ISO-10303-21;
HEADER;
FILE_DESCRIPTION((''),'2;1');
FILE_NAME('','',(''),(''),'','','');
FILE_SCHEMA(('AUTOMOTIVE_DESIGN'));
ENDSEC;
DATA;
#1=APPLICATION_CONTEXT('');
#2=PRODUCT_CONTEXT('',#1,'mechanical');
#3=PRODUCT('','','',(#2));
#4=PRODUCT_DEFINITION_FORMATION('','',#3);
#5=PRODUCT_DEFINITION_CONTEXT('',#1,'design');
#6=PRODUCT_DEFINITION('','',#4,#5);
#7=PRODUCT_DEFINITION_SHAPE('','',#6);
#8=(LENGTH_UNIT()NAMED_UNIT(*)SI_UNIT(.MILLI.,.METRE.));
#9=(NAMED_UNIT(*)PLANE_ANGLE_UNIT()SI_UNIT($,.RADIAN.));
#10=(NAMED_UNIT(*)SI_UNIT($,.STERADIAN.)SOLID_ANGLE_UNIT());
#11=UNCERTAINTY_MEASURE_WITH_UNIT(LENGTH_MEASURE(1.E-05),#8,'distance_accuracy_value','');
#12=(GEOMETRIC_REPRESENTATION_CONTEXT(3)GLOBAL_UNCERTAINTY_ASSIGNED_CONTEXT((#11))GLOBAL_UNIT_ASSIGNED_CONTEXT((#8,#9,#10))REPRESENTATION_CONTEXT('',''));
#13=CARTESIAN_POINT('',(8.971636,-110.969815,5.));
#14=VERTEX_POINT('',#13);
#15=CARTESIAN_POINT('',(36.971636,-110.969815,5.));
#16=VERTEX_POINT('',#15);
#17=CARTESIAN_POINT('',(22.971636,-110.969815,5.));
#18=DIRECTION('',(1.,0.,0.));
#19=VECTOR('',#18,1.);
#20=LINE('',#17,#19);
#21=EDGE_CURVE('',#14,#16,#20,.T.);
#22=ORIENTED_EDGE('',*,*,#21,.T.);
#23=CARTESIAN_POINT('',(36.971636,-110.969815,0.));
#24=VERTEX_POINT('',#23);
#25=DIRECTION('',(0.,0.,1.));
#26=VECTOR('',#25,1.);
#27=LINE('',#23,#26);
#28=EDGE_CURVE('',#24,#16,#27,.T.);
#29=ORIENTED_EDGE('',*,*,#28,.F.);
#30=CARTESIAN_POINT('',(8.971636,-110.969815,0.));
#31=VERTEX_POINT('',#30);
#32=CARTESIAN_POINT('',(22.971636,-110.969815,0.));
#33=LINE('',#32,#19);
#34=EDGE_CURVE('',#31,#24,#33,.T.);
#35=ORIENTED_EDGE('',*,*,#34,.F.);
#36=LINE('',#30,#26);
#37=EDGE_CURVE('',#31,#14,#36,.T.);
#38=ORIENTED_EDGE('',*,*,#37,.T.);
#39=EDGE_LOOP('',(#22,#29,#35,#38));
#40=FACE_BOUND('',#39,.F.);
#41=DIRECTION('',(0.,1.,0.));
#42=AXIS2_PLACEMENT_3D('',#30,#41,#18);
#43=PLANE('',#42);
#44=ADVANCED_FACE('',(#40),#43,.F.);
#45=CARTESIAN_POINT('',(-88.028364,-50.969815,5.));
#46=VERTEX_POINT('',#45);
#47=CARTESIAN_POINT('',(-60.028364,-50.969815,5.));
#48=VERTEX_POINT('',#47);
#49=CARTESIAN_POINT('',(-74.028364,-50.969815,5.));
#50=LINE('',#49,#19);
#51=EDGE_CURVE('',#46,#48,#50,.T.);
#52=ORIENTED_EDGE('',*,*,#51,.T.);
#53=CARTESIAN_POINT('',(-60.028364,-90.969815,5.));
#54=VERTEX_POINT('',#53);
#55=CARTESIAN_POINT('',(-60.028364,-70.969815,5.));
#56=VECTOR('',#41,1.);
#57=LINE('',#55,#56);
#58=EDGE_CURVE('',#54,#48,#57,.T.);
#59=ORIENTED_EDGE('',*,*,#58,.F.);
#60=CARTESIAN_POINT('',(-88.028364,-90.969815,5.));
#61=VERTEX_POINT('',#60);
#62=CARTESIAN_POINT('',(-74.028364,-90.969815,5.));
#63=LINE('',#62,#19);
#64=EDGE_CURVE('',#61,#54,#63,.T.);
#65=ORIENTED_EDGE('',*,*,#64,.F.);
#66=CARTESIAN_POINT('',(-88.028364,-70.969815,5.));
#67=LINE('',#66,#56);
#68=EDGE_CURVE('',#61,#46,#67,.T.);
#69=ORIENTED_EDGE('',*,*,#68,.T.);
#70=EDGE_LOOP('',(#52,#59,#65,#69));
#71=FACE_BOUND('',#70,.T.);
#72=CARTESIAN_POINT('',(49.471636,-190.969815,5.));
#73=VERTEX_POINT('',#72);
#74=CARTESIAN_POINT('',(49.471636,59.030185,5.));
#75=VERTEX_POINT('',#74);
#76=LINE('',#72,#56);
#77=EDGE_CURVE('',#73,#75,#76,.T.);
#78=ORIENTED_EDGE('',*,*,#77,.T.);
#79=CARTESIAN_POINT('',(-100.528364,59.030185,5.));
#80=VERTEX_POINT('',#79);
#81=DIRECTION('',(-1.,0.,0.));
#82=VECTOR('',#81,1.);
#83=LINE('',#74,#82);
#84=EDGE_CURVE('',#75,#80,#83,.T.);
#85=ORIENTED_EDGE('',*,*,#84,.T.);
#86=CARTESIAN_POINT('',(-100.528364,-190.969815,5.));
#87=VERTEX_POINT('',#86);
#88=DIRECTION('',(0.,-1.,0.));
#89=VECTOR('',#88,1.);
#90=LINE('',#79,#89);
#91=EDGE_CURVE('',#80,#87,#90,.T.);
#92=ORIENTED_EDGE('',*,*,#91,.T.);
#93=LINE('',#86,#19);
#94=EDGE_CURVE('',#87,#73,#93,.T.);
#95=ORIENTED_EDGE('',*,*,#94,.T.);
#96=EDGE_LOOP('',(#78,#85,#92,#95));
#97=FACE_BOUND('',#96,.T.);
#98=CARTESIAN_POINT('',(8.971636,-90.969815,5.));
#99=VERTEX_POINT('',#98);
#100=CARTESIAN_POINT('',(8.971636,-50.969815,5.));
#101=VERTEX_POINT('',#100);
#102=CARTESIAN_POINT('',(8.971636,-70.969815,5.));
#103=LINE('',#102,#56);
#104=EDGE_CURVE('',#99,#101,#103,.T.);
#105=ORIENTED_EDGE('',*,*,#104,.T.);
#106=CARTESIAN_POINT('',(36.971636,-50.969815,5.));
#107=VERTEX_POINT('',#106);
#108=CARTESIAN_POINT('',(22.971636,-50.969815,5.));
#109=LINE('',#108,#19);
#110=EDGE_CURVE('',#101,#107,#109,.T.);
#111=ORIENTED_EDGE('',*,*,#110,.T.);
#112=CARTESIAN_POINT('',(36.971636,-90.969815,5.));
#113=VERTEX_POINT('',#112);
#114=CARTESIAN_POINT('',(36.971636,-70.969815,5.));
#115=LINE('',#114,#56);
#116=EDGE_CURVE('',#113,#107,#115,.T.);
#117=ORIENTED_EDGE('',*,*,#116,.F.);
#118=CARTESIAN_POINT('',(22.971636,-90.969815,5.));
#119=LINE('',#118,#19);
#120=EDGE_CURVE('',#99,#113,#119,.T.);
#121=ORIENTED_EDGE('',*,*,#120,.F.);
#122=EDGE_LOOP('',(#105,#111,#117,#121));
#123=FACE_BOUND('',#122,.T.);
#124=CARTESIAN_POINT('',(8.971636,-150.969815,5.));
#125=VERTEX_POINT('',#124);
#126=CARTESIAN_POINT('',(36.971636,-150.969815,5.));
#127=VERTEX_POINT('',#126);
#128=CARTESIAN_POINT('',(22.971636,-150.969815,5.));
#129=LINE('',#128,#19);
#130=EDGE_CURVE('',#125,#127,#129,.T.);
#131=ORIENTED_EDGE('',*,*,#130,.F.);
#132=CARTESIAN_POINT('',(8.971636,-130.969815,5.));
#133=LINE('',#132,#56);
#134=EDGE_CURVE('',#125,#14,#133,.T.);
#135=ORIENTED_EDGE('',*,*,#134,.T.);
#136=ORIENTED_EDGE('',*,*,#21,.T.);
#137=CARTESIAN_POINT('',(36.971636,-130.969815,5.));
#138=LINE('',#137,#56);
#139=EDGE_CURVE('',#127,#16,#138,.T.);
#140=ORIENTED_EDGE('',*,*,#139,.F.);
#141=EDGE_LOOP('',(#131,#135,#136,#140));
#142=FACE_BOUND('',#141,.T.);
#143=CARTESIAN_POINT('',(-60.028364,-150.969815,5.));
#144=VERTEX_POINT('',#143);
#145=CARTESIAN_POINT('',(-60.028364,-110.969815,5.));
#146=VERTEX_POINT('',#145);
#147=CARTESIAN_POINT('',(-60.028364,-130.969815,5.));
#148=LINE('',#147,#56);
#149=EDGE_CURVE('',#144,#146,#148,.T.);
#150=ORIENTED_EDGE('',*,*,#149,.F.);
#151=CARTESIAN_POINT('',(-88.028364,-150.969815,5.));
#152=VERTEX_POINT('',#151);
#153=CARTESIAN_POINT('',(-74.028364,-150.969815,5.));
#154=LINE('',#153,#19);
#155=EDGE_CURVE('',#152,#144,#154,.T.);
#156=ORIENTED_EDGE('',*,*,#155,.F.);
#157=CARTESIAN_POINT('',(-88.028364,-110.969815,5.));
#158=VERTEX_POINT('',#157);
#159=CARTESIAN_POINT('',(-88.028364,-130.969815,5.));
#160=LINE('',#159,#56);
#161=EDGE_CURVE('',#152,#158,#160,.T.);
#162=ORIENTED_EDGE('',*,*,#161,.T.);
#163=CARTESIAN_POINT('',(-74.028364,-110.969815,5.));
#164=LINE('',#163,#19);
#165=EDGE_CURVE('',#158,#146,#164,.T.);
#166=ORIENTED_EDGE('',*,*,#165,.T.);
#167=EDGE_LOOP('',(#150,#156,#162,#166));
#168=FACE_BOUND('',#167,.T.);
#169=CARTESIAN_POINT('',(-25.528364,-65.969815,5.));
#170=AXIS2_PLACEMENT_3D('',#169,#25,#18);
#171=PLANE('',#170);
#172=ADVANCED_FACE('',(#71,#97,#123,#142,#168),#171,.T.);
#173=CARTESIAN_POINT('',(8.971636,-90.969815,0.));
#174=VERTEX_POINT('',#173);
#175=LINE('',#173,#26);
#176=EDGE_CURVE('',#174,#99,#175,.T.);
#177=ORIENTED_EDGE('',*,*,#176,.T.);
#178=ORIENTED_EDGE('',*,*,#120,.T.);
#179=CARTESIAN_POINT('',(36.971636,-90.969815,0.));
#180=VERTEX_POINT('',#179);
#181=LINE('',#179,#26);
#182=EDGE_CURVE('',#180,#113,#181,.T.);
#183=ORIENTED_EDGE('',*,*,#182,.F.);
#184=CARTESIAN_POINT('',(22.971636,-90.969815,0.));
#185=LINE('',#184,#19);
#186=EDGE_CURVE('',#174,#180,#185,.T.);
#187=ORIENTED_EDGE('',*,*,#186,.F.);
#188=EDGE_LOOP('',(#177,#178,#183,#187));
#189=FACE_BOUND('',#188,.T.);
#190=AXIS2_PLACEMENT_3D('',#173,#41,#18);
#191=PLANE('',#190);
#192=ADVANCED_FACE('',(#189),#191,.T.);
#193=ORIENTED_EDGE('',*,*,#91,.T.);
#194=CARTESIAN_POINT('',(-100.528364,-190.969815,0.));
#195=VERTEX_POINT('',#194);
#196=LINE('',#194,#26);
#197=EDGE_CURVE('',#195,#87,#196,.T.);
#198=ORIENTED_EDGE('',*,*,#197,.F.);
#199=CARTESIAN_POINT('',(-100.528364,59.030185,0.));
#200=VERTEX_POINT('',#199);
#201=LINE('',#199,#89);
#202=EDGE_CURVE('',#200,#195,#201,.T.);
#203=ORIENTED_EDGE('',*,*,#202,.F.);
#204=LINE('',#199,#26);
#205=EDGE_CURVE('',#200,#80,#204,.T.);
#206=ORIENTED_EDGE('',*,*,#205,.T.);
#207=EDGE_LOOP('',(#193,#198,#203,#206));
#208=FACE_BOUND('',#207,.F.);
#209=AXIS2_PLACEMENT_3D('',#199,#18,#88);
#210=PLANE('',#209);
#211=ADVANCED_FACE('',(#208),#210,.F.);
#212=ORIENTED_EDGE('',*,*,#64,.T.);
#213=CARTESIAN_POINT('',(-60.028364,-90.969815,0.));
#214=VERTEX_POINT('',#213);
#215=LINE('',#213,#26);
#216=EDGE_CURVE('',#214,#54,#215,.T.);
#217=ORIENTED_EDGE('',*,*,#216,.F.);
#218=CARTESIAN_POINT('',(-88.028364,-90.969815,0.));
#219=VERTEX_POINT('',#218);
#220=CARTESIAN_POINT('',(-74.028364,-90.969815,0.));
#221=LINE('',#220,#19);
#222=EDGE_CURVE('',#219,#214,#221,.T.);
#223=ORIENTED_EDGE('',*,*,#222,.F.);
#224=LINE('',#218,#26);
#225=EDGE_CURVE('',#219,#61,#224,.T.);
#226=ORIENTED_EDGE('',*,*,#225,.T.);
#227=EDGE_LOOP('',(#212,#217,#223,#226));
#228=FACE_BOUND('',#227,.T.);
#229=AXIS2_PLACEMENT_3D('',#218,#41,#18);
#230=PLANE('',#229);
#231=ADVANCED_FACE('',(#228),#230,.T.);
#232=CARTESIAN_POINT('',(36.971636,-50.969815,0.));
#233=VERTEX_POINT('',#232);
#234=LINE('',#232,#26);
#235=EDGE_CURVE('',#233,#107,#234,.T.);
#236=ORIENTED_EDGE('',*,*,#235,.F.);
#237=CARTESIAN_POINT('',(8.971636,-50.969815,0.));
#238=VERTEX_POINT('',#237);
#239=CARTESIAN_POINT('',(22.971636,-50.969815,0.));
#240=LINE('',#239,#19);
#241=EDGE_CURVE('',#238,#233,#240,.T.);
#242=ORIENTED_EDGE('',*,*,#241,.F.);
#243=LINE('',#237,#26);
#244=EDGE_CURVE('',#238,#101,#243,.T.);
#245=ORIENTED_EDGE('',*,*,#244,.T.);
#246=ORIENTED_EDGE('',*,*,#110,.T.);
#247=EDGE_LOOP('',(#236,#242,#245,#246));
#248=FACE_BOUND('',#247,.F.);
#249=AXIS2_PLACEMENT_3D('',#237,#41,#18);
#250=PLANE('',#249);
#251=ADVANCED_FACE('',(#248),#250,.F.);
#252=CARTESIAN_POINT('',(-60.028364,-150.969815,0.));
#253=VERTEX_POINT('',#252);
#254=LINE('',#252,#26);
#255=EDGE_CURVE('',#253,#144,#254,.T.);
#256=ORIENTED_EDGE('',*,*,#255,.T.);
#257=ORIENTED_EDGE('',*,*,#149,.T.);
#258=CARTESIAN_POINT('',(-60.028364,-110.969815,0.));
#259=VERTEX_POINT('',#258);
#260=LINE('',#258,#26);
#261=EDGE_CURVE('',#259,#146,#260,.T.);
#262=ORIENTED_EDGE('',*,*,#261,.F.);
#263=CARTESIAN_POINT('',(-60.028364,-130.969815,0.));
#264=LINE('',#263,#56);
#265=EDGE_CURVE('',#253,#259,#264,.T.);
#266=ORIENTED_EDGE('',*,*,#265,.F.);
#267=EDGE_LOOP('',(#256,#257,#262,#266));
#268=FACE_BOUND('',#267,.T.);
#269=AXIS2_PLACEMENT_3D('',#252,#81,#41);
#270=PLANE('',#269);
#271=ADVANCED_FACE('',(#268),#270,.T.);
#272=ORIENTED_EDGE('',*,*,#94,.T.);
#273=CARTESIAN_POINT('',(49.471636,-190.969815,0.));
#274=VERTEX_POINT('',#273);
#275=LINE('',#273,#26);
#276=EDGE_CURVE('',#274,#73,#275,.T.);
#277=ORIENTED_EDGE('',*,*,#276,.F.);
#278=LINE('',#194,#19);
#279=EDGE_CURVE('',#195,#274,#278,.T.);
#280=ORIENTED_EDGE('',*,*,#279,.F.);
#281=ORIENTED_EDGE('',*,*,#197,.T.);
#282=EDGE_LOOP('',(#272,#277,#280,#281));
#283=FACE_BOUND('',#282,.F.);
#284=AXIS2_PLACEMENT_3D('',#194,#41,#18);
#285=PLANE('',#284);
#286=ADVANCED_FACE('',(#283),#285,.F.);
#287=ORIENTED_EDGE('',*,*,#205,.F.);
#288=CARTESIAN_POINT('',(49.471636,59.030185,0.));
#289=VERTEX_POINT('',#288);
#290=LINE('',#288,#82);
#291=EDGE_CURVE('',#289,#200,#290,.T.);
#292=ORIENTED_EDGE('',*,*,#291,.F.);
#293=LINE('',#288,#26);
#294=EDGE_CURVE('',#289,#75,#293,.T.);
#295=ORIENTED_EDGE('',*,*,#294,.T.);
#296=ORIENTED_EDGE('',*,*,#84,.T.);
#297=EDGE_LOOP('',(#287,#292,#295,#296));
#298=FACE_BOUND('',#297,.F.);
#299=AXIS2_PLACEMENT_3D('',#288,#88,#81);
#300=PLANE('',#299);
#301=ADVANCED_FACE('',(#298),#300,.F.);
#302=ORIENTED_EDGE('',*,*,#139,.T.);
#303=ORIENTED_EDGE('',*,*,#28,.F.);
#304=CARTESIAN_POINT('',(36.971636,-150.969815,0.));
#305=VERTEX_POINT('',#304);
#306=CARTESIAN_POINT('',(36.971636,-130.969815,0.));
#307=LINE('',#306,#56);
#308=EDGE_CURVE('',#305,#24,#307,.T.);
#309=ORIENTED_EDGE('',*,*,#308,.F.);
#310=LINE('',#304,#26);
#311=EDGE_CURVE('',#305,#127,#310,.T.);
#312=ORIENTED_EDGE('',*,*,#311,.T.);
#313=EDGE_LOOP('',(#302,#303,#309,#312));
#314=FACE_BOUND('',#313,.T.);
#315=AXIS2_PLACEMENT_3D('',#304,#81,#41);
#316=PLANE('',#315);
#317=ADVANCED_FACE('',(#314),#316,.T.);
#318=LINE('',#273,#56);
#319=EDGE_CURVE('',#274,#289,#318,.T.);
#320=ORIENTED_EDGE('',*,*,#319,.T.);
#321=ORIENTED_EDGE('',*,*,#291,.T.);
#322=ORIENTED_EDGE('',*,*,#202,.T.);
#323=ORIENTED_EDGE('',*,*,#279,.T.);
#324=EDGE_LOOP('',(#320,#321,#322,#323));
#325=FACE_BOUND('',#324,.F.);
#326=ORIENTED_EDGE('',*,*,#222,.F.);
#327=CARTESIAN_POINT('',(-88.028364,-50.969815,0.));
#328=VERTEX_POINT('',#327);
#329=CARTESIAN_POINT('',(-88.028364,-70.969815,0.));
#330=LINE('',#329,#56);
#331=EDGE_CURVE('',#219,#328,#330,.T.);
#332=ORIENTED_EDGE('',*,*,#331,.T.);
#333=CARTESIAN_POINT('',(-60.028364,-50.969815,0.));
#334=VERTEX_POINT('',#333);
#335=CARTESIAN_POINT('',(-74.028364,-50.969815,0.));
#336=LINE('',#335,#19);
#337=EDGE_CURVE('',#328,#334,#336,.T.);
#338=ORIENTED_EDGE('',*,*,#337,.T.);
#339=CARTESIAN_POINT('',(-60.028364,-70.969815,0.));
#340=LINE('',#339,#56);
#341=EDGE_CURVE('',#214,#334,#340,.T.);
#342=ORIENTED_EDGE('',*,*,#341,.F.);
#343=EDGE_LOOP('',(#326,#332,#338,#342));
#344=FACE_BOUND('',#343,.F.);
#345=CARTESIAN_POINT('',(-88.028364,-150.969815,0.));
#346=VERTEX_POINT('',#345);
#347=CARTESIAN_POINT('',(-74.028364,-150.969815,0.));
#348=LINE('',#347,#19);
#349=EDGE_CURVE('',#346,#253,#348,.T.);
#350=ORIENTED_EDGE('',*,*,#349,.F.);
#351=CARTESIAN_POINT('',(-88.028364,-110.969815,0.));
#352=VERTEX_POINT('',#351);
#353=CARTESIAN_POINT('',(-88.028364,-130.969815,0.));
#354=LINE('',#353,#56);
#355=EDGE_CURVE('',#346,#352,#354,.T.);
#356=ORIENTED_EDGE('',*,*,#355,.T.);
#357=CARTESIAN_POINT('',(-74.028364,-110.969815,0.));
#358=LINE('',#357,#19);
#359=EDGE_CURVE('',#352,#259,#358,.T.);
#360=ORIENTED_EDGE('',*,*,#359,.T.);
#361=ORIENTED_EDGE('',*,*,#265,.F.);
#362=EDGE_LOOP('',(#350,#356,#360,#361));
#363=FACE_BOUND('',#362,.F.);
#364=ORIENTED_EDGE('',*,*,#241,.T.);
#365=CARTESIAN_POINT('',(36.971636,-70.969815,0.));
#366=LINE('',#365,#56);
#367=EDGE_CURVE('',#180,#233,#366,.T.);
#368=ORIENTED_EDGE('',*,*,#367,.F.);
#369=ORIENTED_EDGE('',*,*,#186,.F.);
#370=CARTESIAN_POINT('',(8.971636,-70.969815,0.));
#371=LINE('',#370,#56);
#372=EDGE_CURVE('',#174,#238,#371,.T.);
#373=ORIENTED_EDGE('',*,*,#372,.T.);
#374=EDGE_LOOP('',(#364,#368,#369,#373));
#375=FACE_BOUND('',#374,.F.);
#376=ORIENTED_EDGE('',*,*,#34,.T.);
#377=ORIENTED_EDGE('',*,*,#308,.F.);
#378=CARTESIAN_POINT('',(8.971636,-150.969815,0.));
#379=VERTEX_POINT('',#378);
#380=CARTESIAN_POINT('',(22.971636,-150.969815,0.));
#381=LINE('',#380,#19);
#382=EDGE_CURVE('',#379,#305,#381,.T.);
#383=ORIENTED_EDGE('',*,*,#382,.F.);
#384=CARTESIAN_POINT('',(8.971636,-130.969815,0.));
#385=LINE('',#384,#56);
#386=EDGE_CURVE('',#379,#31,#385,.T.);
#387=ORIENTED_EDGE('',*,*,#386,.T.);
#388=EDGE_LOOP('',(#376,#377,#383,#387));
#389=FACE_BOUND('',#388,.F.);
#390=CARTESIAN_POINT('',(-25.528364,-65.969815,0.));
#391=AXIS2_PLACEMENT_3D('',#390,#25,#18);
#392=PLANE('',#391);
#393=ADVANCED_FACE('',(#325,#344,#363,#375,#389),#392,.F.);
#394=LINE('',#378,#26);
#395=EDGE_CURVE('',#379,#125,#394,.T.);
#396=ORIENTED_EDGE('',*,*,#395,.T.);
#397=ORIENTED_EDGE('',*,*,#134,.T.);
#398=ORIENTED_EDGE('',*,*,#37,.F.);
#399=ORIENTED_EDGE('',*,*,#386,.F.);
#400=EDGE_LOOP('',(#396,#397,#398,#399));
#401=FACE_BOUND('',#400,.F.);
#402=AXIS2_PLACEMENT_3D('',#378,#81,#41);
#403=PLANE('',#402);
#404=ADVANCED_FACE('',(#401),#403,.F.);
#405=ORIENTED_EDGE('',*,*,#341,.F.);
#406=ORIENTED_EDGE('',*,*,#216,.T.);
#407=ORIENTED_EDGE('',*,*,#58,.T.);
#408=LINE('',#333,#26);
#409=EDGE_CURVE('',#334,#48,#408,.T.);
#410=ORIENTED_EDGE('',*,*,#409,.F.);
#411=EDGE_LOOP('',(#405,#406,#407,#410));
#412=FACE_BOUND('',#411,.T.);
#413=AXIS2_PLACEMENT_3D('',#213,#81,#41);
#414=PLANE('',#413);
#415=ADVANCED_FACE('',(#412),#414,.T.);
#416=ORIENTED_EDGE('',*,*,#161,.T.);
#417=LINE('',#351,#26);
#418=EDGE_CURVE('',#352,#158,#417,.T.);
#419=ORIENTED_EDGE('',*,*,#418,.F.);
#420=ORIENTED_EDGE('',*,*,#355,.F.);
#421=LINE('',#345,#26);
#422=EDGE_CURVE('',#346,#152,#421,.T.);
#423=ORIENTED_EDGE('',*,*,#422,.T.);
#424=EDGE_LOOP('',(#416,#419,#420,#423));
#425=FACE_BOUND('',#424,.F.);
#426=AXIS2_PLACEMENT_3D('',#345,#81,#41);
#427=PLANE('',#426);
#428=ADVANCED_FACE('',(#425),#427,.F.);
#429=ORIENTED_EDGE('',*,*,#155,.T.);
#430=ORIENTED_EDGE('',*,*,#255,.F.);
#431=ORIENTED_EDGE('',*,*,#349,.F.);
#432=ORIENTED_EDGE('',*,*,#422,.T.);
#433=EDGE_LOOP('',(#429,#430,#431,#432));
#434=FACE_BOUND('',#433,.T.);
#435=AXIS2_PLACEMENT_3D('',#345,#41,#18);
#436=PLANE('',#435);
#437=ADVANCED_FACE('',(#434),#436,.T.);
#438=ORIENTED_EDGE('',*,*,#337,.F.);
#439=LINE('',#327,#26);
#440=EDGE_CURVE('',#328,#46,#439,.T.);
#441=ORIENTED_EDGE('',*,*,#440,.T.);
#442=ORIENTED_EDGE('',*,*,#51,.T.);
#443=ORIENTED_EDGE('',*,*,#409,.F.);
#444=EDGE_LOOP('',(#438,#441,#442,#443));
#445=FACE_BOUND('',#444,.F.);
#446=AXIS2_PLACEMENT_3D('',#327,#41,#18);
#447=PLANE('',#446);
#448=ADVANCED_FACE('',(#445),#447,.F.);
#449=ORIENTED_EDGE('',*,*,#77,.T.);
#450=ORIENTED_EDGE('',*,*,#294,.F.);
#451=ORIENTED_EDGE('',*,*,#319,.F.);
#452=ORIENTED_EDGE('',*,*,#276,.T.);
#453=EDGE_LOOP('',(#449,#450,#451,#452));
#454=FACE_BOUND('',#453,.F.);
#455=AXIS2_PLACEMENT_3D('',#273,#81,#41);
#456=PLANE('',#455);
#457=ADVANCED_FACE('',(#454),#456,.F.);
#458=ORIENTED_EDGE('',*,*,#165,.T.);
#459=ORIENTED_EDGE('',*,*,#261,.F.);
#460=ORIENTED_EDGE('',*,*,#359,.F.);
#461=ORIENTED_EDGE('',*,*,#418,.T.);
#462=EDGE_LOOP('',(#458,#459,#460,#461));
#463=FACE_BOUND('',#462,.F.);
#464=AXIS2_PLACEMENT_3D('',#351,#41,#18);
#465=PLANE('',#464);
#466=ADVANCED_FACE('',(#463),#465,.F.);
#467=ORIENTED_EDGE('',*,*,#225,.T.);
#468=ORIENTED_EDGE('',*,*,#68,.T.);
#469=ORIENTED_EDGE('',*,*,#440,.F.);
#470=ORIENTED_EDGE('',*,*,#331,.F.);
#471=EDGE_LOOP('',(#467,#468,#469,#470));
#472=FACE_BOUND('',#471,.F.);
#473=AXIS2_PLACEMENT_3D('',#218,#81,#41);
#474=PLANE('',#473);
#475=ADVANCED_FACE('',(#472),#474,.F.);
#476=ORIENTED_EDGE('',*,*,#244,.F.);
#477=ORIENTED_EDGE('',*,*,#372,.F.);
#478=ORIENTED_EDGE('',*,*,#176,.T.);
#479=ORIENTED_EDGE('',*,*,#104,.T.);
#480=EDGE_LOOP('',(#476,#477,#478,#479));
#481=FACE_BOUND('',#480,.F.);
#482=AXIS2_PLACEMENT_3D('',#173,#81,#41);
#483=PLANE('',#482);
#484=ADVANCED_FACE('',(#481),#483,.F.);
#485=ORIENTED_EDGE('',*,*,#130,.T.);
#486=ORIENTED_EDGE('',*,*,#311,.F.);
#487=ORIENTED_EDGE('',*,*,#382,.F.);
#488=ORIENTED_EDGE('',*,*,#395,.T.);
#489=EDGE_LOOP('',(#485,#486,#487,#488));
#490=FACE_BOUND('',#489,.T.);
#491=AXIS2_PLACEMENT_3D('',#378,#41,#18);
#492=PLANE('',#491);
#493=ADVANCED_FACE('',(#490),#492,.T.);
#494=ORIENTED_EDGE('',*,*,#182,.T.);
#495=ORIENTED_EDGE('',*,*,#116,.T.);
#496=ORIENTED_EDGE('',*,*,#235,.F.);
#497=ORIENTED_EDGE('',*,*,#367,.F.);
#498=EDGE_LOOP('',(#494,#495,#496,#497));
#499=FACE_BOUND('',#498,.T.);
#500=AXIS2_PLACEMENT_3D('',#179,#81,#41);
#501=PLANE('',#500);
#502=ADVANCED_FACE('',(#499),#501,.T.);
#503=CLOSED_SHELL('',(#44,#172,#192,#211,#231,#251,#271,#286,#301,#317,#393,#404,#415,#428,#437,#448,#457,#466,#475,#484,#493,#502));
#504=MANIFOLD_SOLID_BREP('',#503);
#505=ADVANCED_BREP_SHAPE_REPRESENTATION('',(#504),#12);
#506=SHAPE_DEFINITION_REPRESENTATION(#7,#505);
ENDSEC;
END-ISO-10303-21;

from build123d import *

# Parameters (mm, degrees)
F0_W     = 28
F0_H     = 40
F1_DEPTH = 5


with BuildPart() as f1:
    # F0 (on Top) → F1 (new body)
    with BuildSketch(Plane.XY):
        Polygon((49.471636, 59.030185), (-100.528364, 59.030185), (-100.528364, -150.969815), (-100.528364, -190.969815), (49.471636, -190.969815), align=None)
        with Locations((-74.028364, -130.969815)):
            Rectangle(F0_W, F0_H, mode=Mode.SUBTRACT)
        with Locations((-74.028364, -70.969815)):
            Rectangle(F0_W, F0_H, mode=Mode.SUBTRACT)
        with Locations((22.971636, -130.969815)):
            Rectangle(F0_W, F0_H, mode=Mode.SUBTRACT)
        with Locations((22.971636, -70.969815)):
            Rectangle(F0_W, F0_H, mode=Mode.SUBTRACT)
    extrude(amount=F1_DEPTH)


solid = f1.part
